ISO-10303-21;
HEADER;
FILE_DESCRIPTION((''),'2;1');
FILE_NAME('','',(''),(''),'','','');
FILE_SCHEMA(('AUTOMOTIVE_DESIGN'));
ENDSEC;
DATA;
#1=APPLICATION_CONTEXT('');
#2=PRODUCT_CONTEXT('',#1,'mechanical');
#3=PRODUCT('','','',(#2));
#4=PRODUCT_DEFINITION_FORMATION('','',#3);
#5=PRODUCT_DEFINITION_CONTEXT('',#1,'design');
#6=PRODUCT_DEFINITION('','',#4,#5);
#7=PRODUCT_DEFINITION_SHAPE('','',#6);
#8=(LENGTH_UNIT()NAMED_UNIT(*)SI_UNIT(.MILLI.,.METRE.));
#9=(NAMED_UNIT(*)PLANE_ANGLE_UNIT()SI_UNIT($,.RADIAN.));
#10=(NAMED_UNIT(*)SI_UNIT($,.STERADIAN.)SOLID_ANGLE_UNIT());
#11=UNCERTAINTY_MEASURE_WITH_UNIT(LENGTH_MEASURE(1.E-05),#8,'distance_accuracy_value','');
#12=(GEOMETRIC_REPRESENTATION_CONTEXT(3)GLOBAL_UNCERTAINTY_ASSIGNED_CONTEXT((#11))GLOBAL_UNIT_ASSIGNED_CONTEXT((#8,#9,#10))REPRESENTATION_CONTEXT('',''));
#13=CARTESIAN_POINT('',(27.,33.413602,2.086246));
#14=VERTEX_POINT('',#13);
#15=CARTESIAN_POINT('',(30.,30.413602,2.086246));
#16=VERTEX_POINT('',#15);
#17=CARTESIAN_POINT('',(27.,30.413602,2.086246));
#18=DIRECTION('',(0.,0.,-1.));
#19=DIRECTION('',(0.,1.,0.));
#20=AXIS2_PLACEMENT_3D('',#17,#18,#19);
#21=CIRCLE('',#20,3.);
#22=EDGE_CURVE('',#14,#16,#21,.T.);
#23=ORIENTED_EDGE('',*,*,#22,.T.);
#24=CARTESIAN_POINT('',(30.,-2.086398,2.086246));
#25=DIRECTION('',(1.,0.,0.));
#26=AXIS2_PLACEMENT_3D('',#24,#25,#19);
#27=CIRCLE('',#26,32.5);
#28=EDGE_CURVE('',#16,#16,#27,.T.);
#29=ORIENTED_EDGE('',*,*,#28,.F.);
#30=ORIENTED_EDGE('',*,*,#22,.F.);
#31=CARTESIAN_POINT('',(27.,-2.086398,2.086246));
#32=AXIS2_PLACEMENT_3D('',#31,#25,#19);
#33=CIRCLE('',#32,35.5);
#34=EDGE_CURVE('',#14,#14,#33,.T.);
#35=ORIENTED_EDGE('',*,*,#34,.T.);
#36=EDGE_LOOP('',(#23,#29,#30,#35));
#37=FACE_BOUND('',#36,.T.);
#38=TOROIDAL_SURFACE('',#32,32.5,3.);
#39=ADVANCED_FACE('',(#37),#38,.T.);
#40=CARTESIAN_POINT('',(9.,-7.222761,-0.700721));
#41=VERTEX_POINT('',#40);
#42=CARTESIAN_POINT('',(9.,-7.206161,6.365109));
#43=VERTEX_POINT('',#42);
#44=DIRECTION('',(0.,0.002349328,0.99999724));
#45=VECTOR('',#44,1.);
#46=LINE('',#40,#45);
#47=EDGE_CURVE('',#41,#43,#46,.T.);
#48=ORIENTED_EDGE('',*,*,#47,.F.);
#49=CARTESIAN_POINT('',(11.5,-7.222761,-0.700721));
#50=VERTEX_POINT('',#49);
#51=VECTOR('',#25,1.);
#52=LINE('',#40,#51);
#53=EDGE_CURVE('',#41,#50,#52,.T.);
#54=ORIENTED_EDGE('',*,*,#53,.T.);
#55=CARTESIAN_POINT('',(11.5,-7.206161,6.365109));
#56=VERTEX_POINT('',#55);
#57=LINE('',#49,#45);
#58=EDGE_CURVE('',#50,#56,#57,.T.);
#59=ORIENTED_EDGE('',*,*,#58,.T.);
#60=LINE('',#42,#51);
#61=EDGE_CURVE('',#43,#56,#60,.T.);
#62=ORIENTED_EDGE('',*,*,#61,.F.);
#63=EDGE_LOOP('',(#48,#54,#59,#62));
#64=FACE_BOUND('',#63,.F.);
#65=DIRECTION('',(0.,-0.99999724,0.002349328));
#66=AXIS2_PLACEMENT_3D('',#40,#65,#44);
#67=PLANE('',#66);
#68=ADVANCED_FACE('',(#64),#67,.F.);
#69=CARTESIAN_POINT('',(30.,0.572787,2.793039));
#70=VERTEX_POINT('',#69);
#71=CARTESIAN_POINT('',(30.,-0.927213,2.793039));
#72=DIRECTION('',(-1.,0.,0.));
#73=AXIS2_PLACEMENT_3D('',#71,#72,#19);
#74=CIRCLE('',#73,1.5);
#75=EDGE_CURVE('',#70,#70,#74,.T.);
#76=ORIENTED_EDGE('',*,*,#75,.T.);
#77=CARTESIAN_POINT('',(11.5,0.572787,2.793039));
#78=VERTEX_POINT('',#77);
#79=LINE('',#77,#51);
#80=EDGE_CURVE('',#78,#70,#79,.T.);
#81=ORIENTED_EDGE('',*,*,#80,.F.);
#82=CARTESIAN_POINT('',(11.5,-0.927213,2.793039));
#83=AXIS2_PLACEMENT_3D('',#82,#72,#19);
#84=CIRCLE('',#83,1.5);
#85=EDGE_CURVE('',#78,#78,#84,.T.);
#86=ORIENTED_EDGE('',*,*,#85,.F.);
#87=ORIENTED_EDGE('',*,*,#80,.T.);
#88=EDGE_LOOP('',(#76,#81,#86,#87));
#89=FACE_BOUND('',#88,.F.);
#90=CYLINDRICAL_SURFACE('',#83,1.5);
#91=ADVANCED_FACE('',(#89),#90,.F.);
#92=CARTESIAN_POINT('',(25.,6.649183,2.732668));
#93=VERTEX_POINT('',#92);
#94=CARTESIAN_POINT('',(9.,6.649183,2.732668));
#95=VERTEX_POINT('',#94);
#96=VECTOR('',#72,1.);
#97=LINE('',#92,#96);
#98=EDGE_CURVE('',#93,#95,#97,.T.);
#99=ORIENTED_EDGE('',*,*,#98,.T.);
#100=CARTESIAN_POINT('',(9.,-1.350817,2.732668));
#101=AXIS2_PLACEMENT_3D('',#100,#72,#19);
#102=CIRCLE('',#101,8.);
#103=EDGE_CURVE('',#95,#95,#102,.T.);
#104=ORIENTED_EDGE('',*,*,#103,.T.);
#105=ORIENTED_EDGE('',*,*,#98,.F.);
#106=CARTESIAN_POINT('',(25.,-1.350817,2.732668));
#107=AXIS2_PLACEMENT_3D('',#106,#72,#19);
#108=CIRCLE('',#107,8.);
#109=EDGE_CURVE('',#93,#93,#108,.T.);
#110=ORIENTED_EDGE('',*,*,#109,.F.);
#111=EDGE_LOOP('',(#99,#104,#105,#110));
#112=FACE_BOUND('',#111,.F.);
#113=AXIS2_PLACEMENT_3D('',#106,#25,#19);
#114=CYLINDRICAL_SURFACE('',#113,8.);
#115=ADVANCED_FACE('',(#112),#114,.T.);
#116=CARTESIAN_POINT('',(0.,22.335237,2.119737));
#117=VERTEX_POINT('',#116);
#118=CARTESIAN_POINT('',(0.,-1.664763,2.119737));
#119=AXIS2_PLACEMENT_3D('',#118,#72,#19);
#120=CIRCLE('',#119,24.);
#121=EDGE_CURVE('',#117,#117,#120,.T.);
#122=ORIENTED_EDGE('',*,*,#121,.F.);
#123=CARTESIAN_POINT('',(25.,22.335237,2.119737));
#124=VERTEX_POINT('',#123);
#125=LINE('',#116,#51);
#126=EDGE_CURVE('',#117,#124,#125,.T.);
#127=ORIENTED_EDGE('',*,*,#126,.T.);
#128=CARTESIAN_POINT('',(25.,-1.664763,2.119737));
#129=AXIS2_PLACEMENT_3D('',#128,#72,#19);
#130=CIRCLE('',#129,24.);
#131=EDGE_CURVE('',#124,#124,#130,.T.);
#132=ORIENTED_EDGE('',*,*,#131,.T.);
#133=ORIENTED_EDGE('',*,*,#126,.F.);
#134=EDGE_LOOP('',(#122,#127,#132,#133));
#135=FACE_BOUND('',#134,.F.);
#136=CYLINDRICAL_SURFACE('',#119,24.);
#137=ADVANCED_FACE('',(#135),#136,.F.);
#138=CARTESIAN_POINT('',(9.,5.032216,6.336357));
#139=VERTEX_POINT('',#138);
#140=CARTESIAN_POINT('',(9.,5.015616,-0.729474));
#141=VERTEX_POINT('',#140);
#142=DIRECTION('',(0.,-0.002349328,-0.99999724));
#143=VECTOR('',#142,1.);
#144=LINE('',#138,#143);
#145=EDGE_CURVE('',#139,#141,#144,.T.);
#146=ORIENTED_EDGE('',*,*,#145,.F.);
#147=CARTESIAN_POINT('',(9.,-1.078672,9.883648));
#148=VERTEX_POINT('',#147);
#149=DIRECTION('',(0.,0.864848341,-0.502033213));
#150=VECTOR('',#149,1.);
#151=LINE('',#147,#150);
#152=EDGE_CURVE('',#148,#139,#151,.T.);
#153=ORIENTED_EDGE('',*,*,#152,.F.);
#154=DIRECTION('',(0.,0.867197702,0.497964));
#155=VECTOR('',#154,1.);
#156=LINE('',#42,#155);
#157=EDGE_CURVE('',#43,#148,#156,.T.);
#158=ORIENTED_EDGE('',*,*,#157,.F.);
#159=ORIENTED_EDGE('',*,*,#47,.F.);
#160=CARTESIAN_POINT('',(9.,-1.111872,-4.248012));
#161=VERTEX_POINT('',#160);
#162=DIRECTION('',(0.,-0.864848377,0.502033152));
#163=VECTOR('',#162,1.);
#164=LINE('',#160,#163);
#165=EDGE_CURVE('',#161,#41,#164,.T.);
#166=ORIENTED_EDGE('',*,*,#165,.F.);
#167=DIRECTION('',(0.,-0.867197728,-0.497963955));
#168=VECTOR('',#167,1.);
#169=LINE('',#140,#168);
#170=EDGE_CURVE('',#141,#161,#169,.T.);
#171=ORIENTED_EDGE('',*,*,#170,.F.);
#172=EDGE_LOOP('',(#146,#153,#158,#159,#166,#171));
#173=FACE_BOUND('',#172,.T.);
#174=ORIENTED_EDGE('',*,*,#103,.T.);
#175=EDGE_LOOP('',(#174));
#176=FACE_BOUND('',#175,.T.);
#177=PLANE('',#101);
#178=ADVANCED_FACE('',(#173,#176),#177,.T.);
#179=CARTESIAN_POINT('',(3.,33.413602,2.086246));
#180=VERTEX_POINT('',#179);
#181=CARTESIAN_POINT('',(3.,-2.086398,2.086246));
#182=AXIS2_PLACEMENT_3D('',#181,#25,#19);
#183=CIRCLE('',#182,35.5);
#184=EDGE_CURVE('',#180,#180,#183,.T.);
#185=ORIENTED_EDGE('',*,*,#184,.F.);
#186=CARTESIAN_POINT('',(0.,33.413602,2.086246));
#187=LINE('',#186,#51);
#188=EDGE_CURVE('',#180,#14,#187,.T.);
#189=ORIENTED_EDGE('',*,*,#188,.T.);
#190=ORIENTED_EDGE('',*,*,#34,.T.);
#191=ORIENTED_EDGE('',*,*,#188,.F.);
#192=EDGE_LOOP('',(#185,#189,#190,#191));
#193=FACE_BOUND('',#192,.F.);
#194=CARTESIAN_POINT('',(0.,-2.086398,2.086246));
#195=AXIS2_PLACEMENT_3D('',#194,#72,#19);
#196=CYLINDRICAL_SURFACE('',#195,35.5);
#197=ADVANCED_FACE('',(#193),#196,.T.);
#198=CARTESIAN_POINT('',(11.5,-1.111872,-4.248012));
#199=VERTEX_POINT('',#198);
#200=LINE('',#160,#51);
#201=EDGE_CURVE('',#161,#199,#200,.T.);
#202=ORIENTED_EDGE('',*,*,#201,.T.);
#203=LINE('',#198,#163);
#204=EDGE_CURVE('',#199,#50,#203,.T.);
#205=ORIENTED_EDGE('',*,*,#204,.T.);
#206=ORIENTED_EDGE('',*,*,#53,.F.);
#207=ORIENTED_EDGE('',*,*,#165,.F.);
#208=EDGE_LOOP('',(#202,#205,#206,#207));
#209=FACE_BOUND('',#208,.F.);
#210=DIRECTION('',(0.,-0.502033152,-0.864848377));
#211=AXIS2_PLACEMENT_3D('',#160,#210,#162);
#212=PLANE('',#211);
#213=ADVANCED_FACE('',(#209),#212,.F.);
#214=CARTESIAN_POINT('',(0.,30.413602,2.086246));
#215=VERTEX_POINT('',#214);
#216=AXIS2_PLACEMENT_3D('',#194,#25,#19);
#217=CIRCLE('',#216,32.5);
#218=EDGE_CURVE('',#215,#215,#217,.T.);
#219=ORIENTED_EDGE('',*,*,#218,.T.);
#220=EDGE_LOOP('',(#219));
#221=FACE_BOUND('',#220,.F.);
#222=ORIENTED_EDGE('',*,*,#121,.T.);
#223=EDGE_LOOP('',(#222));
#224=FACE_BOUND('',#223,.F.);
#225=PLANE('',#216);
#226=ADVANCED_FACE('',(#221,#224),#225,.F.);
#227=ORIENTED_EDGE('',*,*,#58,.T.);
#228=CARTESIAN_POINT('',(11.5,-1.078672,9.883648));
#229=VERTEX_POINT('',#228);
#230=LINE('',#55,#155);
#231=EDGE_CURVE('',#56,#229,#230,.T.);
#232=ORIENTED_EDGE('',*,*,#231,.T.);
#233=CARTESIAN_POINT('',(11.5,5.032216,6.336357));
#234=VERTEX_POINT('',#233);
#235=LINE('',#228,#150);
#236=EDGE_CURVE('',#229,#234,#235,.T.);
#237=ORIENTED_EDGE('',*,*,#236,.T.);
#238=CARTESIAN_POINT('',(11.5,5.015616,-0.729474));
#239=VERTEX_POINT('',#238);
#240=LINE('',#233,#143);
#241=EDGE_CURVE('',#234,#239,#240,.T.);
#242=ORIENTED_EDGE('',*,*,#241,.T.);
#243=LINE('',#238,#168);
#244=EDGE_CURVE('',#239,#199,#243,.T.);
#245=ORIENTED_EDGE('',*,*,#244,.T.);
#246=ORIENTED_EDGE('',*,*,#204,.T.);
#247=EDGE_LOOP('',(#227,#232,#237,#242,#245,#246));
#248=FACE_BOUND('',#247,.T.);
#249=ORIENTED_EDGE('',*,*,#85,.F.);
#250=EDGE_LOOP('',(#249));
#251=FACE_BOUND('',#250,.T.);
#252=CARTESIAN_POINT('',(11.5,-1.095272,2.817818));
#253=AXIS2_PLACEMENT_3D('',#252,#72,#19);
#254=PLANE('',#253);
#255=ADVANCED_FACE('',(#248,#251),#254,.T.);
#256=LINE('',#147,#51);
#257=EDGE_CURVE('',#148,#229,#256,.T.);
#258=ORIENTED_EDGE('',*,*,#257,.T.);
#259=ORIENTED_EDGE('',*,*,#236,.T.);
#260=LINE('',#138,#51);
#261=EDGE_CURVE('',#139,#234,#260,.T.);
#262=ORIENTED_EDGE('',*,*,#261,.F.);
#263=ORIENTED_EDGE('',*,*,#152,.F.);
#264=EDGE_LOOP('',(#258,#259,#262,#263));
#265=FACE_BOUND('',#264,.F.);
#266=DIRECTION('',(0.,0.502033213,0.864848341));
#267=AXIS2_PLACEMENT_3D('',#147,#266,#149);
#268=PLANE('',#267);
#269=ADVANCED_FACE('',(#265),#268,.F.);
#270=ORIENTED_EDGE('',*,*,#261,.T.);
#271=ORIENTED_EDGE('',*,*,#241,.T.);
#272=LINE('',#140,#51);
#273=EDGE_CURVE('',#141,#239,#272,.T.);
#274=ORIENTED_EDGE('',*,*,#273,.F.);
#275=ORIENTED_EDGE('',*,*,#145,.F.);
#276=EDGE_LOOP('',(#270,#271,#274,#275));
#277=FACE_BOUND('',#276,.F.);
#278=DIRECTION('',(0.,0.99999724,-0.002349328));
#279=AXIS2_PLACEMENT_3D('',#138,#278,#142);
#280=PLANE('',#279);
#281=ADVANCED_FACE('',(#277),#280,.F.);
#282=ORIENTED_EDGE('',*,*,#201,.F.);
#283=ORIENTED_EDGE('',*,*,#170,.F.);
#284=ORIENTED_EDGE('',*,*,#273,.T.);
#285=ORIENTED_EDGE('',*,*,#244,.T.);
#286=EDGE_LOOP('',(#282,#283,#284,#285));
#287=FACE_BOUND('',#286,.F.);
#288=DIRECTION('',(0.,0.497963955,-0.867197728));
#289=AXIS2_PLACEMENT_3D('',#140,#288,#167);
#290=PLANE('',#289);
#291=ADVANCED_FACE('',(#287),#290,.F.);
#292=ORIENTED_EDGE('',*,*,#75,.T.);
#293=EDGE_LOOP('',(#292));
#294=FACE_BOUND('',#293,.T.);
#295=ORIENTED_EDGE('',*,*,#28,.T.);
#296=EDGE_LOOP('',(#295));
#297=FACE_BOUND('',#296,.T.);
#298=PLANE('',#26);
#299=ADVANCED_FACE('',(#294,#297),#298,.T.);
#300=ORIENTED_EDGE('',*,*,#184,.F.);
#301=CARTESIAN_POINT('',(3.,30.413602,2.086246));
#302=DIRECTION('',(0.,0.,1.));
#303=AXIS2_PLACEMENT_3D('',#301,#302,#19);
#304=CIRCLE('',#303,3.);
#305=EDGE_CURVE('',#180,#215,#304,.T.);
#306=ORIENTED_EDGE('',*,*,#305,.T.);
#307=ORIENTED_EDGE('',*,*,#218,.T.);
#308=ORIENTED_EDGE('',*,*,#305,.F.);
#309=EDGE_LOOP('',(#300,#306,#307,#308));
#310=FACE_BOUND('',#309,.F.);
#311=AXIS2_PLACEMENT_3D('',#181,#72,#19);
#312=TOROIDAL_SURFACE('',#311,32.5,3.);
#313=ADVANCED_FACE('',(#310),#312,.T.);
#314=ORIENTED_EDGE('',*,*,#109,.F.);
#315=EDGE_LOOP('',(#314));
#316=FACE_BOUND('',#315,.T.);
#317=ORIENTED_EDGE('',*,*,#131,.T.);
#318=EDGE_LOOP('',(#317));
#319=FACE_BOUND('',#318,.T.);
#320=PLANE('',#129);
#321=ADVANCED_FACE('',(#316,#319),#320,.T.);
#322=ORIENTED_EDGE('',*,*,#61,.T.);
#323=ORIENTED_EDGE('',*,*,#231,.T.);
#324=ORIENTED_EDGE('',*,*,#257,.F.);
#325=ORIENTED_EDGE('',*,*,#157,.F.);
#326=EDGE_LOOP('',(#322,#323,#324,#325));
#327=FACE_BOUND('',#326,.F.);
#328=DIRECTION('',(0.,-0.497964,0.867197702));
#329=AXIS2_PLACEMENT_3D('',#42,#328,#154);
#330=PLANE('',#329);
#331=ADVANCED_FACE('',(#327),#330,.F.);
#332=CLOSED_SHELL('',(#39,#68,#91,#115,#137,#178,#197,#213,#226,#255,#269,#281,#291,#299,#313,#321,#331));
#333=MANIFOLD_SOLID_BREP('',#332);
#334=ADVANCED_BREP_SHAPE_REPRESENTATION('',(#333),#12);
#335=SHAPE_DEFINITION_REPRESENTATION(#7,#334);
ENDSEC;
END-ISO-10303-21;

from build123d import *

# Parameters (mm, degrees)
SKETCH_R        = 35.5
PAD_DEPTH       = 30
SKETCH001_R     = 24
POCKET_DEPTH    = 25
SKETCH002_R     = 8
PAD001_DEPTH    = 16
POCKET001_DEPTH = 2.5
SKETCH004_R     = 1.5
POCKET002_DEPTH = 25
FILLET_R        = 3
FILLET001_R     = 3


with BuildPart() as part:
    # Sketch → Pad (new body)
    with BuildSketch(Plane.YZ):
        with Locations((-2.086398, 2.086246)):
            Circle(SKETCH_R)
    extrude(amount=PAD_DEPTH)

    # Sketch001 (on Face2 of Pad) → Pocket (cut)
    with BuildSketch(Plane(origin=(0, 0, 0), x_dir=(0, 1, 0), z_dir=(-1, 0, 0))):
        with Locations((-1.664763, -2.119737)):
            Circle(SKETCH001_R)
    extrude(amount=-POCKET_DEPTH, mode=Mode.SUBTRACT)

    # Sketch002 (on Face5 of Pocket) → Pad001 (join)
    with BuildSketch(Plane(origin=(25, 0, 0), x_dir=(0, 1, 0), z_dir=(-1, 0, 0))):
        with Locations((-1.350817, -2.732668)):
            Circle(SKETCH002_R)
    extrude(amount=PAD001_DEPTH)

    # Sketch003 (on Face7 of Pad001) → Pocket001 (cut)
    with BuildSketch(Plane(origin=(9, 0, 0), x_dir=(0, 1, 0), z_dir=(-1, 0, 0))):
        Polygon((-1.111872, 4.248012), (-7.222761, 0.700721), (-7.206161, -6.365109), (-1.078672, -9.883648), (5.032216, -6.336357), (5.015616, 0.729474), align=None)
    extrude(amount=-POCKET001_DEPTH, mode=Mode.SUBTRACT)

    # Sketch004 (on Face14 of Pocket001) → Pocket002 (cut)
    with BuildSketch(Plane(origin=(11.5, 0, 0), x_dir=(0, 1, 0), z_dir=(-1, 0, 0))):
        with Locations((-0.927213, -2.793039)):
            Circle(SKETCH004_R)
    extrude(amount=-POCKET002_DEPTH, mode=Mode.SUBTRACT)

    # Fillet
    fillet_edges = [part.edges().sort_by_distance(p)[0] for p in [
        (0, -37.586398, 2.086246),
    ]]
    fillet(fillet_edges, radius=FILLET_R)

    # Fillet001
    fillet001_edges = [part.edges().sort_by_distance(p)[0] for p in [
        (30, -37.586398, 2.086246),
    ]]
    fillet(fillet001_edges, radius=FILLET001_R)


solid = part.part
